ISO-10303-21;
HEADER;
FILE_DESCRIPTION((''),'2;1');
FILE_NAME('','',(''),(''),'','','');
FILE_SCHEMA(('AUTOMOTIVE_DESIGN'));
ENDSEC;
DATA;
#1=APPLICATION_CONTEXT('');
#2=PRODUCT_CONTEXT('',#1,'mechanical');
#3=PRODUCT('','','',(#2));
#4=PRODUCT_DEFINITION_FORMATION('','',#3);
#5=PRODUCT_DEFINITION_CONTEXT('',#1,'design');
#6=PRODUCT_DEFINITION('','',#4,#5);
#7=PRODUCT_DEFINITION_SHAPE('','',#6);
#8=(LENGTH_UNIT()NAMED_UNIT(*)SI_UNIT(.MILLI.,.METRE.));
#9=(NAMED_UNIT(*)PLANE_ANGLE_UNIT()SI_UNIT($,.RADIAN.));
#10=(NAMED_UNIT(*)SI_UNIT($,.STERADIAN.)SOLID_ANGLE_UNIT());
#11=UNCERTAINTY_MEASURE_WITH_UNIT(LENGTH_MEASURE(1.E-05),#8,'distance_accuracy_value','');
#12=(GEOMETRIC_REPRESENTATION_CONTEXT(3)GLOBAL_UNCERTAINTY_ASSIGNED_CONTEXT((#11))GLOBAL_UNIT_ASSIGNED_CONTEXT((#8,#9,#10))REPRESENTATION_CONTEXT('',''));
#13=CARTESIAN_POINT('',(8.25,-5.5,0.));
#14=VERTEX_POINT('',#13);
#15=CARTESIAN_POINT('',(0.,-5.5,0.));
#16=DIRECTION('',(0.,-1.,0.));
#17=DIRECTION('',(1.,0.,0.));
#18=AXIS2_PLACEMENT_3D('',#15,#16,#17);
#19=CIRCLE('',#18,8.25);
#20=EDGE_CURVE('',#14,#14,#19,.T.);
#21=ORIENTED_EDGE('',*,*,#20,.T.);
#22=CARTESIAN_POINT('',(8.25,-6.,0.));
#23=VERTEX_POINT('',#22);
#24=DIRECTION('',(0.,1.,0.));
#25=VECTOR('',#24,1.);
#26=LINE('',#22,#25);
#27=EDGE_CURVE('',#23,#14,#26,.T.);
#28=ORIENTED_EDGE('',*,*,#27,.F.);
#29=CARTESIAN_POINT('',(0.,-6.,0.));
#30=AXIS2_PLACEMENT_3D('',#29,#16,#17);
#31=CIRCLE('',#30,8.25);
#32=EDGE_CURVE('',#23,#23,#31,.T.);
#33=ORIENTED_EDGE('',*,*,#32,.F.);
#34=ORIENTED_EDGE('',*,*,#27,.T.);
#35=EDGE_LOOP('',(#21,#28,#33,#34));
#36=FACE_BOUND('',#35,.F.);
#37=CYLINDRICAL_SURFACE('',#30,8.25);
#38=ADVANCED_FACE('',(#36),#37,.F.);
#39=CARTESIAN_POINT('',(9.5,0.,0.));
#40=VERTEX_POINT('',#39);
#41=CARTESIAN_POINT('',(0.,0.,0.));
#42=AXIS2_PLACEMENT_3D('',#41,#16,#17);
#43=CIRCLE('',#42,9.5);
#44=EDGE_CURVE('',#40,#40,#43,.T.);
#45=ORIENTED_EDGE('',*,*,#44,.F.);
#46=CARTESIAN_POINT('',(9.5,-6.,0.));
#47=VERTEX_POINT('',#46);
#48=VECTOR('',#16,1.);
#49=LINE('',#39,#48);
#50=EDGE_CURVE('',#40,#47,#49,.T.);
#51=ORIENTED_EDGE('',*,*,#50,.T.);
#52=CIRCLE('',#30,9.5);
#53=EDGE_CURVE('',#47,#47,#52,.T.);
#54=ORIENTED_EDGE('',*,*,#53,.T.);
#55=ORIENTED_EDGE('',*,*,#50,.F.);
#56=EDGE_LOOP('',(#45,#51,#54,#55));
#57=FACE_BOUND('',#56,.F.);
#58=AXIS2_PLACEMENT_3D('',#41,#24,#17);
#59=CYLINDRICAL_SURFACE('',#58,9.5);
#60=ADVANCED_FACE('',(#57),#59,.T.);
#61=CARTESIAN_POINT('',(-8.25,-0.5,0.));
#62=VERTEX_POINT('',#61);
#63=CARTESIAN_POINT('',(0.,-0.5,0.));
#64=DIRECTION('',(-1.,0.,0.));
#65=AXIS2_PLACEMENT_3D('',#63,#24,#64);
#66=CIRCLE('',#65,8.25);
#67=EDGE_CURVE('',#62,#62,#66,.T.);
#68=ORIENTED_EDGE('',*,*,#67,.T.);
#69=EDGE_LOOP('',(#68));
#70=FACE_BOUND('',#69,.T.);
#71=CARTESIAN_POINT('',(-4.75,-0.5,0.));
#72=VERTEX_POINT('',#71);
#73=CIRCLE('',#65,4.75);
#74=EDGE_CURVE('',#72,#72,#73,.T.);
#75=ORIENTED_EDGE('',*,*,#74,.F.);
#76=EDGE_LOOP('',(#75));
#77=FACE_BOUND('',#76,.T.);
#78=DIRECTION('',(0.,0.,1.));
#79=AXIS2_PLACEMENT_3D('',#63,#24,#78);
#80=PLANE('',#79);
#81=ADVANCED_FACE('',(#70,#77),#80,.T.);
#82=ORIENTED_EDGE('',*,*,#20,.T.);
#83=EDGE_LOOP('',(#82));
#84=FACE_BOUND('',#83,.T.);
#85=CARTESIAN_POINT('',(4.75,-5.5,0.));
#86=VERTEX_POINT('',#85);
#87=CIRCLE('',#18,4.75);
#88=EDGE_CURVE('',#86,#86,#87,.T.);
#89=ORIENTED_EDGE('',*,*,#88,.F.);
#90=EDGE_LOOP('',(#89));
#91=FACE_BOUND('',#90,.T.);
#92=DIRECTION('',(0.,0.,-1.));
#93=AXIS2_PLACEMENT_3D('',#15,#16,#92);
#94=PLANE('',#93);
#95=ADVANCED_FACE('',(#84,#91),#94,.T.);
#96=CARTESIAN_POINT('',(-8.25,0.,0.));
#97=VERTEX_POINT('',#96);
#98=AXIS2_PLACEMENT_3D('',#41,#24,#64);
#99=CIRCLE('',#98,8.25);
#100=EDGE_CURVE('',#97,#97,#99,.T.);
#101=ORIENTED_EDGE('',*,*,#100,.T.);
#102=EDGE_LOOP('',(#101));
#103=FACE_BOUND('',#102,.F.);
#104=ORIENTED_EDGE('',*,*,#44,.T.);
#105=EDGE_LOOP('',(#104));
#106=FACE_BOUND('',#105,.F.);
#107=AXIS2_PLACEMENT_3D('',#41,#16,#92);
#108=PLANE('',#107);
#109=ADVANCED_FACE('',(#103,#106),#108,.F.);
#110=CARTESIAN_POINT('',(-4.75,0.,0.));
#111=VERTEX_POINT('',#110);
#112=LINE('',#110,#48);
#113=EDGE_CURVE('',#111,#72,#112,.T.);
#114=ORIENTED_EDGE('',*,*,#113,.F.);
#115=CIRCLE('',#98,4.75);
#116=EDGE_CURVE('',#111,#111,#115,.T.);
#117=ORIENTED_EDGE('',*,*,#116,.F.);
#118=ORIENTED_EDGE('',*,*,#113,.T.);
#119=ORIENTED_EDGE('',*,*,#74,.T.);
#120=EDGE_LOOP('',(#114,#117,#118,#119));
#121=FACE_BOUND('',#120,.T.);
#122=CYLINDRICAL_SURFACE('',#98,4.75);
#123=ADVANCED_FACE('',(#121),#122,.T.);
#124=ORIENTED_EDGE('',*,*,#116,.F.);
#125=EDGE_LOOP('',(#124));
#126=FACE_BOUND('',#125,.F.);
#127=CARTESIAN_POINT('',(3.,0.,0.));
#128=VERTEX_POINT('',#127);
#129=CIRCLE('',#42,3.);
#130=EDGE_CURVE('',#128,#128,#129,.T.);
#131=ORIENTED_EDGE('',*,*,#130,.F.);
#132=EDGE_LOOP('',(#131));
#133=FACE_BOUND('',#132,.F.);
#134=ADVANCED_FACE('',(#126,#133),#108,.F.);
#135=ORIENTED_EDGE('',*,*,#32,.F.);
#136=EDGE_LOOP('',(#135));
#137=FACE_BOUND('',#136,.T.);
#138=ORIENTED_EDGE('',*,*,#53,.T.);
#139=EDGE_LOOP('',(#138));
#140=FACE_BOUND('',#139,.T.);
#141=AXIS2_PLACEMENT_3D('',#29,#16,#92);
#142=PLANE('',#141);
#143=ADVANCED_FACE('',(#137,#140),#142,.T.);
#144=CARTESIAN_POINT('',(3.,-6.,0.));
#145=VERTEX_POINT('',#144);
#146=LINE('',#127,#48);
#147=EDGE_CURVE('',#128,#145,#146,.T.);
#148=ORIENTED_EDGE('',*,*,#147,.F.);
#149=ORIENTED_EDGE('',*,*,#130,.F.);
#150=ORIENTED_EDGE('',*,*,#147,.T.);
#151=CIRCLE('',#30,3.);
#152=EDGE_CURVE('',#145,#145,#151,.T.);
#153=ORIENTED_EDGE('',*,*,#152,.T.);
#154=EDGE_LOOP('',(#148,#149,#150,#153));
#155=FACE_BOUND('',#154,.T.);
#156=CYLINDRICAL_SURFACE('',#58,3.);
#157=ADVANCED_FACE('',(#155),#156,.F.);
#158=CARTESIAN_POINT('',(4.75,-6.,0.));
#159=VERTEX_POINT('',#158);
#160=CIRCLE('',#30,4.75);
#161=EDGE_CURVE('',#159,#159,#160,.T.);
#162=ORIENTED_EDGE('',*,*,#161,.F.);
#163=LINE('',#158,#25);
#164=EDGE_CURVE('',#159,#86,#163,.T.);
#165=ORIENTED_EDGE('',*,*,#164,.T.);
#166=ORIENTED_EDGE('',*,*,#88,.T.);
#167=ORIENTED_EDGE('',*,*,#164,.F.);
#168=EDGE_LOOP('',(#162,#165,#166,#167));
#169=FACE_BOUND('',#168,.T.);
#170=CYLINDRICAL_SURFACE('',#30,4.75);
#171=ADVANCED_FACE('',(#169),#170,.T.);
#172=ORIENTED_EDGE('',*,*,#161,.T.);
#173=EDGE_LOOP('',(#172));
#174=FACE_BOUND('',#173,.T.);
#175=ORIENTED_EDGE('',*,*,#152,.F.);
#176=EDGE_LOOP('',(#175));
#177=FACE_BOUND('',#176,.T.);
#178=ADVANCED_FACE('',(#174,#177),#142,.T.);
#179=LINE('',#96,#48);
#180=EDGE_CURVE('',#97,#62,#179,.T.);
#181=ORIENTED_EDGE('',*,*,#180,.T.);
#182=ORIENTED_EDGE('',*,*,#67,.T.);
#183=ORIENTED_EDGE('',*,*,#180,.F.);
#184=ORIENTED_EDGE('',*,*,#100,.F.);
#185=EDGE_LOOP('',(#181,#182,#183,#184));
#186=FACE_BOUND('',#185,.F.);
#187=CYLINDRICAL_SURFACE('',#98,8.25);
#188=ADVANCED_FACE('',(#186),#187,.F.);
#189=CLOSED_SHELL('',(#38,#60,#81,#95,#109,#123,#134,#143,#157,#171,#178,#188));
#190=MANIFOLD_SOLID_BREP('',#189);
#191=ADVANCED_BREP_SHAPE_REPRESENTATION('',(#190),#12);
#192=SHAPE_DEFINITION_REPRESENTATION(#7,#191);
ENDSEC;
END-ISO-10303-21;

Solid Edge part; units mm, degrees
sketch "Sketch1" plane through (0, 0, 0) normal (0, -1, 0) x (1, 0, 0)
  circle A0 centre (0, 0) radius 9.5
  circle A1 centre (0, 0) radius 3
  dimension "D1" = 6
  dimension "D2" = 19
extrude "Protrusion1" add sketch "Sketch1" along normal blind 6
sketch "Sketch2" plane through (0, 0, 0) normal (0, 1, 0) x (-1, 0, 0)
  circle A0 centre (0, 0) radius 8.25
  circle A1 centre (0, 0) radius 4.75
extrude "ExtrudedCutout_1" cut sketch "Sketch2" against normal blind 0.5
sketch "Sketch3" plane through (0, -6, 0) normal (0, -1, 0) x (1, 0, 0)
  circle A0 centre (0, 0) radius 8.25
  circle A1 centre (0, 0) radius 4.75
extrude "ExtrudedCutout_4" cut sketch "Sketch3" against normal blind 0.5
properties material "Steel"
